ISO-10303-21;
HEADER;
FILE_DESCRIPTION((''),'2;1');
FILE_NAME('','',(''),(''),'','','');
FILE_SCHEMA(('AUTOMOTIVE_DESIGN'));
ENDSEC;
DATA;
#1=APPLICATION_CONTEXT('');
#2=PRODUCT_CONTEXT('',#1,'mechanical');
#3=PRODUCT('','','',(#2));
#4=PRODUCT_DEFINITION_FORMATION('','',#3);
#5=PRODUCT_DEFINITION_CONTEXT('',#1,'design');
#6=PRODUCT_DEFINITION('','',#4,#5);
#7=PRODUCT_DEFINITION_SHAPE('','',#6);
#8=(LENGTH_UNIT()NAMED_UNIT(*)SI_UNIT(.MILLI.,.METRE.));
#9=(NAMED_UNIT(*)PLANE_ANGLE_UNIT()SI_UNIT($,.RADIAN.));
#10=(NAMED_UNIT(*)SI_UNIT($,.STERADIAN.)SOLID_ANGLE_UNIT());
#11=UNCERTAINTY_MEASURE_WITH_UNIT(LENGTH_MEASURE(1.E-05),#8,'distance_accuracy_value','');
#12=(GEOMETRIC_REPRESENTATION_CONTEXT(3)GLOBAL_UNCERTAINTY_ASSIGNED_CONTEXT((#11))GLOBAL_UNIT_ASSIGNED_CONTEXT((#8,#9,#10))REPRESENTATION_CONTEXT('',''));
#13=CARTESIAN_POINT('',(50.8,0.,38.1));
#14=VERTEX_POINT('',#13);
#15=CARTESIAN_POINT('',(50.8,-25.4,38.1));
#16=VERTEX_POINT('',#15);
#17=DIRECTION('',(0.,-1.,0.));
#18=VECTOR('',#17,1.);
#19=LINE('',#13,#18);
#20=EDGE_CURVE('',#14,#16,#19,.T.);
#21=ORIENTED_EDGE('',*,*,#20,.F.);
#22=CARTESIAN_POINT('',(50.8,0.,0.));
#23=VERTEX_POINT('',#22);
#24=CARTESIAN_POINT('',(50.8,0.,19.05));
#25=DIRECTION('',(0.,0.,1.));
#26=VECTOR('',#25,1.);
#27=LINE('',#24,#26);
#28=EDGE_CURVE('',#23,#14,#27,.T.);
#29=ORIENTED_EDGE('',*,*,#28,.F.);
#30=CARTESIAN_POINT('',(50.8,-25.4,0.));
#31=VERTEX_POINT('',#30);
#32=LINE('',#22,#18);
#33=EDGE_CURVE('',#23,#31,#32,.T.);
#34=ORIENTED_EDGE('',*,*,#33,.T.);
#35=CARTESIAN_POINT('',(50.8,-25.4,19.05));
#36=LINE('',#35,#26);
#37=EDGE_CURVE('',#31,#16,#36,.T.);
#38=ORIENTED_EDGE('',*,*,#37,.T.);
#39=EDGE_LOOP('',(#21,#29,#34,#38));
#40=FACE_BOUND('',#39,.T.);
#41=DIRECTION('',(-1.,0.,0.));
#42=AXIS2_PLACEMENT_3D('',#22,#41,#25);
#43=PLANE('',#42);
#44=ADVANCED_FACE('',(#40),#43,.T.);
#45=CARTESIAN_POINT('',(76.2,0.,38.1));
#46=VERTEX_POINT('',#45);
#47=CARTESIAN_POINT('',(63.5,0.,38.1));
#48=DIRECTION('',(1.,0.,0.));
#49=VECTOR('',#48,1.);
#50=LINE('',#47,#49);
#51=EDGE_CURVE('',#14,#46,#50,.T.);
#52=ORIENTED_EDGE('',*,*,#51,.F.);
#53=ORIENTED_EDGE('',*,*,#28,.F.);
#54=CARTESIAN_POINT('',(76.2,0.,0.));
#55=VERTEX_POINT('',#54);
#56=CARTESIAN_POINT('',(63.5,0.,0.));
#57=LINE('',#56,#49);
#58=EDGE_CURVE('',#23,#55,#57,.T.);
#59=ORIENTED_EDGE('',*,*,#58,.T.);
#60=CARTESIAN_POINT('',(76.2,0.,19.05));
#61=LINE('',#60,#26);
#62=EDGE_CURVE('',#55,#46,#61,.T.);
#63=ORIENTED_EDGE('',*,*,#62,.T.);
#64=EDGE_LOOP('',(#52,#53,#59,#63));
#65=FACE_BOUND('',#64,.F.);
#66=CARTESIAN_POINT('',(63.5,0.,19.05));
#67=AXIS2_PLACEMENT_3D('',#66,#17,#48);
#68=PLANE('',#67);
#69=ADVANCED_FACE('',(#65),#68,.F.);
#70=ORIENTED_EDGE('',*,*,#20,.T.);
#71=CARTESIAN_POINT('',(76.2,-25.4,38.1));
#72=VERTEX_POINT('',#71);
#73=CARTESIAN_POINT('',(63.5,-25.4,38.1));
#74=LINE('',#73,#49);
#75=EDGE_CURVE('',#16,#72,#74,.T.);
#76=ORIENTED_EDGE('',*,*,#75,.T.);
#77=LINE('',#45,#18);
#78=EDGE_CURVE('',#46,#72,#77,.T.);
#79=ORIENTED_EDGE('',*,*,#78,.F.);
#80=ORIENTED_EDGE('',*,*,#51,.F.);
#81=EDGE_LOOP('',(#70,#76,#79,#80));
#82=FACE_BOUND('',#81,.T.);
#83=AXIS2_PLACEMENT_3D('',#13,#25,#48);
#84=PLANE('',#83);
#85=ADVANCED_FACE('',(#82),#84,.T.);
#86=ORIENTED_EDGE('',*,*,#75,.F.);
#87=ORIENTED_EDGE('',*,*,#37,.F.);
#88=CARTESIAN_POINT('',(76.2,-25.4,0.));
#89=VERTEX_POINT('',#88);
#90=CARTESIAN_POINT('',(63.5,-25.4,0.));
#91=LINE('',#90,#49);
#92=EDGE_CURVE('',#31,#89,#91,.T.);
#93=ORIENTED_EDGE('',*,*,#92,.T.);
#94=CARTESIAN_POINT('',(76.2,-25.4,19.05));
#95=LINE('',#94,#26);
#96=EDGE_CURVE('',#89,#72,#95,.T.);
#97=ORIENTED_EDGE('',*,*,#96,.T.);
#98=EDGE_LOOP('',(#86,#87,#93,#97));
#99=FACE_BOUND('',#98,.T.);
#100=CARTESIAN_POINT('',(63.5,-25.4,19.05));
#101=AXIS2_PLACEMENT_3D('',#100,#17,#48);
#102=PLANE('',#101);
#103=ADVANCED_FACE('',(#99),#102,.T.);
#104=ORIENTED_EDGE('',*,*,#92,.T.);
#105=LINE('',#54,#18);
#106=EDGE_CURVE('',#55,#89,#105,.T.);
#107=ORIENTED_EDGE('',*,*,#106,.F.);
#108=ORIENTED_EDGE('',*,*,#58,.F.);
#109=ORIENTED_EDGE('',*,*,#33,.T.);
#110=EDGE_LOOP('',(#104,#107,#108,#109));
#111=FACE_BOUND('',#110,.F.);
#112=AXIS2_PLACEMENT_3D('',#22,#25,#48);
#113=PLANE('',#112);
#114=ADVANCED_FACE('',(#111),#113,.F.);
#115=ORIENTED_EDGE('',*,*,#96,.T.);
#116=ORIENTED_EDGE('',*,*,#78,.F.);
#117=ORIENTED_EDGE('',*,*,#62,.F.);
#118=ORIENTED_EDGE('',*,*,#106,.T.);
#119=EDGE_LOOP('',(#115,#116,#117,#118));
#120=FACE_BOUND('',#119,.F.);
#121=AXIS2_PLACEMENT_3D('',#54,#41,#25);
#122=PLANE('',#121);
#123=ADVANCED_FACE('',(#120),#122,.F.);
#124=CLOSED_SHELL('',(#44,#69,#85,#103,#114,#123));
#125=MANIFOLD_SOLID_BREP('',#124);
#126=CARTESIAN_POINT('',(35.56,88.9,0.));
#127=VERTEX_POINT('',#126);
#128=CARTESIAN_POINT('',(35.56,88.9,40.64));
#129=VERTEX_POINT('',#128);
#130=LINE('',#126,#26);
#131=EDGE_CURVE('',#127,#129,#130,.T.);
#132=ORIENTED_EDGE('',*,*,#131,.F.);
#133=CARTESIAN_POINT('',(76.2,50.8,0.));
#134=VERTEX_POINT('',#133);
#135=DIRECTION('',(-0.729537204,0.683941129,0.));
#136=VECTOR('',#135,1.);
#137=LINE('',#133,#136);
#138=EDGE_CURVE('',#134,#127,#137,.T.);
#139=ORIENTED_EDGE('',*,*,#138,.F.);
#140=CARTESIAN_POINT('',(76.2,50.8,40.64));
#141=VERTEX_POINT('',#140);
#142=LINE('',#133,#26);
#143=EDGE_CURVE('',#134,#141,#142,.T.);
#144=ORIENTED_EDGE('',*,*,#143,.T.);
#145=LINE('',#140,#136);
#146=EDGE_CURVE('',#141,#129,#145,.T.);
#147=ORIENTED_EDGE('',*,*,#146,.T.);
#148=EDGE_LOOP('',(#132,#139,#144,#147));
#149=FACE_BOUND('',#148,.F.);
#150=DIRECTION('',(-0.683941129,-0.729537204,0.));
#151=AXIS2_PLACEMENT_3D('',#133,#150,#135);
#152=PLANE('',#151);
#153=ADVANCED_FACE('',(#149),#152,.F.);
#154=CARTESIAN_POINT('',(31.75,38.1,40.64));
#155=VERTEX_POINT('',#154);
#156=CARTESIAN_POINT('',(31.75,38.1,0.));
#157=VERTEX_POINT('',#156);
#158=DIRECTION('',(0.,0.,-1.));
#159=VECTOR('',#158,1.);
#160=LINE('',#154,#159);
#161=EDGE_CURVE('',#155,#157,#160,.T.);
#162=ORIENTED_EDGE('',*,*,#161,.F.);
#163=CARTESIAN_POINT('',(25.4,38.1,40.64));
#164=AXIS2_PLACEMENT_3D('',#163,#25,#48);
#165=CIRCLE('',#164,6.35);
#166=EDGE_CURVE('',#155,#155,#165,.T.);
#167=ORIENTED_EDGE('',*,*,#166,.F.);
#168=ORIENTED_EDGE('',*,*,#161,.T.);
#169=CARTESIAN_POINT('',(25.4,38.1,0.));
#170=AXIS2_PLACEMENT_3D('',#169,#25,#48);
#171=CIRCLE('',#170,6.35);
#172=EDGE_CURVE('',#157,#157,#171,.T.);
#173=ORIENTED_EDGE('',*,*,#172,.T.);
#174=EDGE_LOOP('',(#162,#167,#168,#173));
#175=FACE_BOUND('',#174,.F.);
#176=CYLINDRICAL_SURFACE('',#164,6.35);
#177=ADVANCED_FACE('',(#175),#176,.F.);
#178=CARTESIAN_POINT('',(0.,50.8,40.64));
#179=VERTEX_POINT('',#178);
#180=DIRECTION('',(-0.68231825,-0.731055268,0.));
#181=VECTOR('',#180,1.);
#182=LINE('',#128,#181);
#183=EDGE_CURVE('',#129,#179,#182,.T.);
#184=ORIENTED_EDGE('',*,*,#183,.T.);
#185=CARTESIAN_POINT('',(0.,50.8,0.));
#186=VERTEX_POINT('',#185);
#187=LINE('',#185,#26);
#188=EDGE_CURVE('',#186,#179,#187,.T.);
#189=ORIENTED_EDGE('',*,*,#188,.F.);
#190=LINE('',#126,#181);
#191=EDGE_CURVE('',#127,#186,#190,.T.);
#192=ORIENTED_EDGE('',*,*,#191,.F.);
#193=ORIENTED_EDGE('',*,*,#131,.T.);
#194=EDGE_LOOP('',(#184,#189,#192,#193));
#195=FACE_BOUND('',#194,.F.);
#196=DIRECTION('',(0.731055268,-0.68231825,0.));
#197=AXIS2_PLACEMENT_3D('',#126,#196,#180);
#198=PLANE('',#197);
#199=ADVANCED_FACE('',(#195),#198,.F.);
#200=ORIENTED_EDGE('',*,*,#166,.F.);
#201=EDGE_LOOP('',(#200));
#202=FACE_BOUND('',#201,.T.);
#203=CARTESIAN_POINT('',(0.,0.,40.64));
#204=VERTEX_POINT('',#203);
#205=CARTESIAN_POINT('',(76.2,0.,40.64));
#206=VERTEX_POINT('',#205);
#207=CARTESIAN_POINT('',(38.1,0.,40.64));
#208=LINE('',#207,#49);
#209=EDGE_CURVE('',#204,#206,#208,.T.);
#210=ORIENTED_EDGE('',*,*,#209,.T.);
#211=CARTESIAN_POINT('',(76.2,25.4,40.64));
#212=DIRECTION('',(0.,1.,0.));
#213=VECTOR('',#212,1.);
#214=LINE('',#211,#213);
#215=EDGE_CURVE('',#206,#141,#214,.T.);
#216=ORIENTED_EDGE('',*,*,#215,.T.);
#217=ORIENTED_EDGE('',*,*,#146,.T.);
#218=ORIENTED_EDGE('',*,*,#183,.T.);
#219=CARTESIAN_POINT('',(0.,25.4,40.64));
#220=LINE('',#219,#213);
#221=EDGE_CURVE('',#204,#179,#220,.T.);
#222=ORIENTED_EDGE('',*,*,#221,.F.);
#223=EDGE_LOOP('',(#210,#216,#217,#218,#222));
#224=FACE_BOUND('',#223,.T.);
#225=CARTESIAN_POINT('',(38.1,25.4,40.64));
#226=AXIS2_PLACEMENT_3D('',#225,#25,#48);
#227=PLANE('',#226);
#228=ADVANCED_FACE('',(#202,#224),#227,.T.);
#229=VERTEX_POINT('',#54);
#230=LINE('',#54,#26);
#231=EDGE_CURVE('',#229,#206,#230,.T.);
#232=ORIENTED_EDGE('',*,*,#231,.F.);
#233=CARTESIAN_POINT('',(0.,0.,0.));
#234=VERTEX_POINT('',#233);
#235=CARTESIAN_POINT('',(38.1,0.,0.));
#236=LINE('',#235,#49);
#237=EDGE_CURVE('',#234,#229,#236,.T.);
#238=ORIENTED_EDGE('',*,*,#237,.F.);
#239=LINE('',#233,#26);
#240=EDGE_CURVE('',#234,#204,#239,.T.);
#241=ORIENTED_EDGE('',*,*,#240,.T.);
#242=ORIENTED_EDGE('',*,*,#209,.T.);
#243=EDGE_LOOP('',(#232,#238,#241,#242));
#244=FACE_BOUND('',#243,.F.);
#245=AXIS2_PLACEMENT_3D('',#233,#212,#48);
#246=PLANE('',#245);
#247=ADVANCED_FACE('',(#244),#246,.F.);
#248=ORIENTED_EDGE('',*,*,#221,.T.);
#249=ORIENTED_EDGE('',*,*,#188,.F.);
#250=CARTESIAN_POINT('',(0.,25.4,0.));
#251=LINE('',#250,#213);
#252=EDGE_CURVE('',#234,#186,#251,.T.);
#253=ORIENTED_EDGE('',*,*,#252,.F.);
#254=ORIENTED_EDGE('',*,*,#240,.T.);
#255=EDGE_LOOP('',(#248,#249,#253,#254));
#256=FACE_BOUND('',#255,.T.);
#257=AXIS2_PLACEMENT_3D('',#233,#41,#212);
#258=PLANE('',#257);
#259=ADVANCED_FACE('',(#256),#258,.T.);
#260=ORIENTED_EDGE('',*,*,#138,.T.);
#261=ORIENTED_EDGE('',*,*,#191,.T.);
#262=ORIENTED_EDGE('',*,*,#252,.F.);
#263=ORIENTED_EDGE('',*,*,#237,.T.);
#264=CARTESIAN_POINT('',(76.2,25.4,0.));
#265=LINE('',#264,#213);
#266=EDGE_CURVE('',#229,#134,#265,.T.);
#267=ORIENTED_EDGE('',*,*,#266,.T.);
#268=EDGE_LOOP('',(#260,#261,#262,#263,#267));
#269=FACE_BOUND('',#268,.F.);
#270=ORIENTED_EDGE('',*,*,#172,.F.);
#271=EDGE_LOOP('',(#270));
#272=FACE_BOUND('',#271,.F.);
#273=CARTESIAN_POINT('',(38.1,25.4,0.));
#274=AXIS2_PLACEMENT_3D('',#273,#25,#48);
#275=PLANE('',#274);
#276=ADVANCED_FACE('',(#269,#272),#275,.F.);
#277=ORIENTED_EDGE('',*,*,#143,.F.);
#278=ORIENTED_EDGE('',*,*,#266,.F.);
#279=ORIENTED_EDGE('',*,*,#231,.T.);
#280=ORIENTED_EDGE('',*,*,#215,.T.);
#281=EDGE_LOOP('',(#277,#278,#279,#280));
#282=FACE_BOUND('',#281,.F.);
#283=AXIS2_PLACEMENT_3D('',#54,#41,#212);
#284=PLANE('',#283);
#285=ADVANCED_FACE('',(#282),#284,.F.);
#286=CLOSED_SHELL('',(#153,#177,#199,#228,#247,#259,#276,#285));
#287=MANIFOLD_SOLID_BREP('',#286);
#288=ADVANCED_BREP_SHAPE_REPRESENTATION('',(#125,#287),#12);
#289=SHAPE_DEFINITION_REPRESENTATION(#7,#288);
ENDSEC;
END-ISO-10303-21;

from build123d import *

# Parameters (mm, degrees)
F0_W     = 76.2
F0_H     = 50.8
F1_DEPTH = 40.64
F2_R     = 6.35
F3_DEPTH = 40.641
F4_W     = 25.4
F4_H     = 38.1
F5_DEPTH = 25.4


with BuildPart() as f1:
    # F0 (on Top) → F1 (new body)
    with BuildSketch(Plane.XY):
        with Locations((38.1, 25.4)):
            Rectangle(F0_W, F0_H)
        Polygon((35.56, 88.9), (0, 50.8), (76.2, 50.8), align=None)
    extrude(amount=F1_DEPTH)

    # F2 (on face) → F3 (cut, through all)
    with BuildSketch(Plane.XY.offset(40.64)):
        with Locations((25.4, 38.1)):
            Circle(F2_R)
    extrude(amount=-F3_DEPTH, mode=Mode.SUBTRACT)


with BuildPart() as f5:
    # F4 (on face) → F5 (new body)
    with BuildSketch(Plane.XZ):
        with Locations((63.5, 19.05)):
            Rectangle(F4_W, F4_H)
    extrude(amount=F5_DEPTH)


solid = Compound([f1.part, f5.part])
